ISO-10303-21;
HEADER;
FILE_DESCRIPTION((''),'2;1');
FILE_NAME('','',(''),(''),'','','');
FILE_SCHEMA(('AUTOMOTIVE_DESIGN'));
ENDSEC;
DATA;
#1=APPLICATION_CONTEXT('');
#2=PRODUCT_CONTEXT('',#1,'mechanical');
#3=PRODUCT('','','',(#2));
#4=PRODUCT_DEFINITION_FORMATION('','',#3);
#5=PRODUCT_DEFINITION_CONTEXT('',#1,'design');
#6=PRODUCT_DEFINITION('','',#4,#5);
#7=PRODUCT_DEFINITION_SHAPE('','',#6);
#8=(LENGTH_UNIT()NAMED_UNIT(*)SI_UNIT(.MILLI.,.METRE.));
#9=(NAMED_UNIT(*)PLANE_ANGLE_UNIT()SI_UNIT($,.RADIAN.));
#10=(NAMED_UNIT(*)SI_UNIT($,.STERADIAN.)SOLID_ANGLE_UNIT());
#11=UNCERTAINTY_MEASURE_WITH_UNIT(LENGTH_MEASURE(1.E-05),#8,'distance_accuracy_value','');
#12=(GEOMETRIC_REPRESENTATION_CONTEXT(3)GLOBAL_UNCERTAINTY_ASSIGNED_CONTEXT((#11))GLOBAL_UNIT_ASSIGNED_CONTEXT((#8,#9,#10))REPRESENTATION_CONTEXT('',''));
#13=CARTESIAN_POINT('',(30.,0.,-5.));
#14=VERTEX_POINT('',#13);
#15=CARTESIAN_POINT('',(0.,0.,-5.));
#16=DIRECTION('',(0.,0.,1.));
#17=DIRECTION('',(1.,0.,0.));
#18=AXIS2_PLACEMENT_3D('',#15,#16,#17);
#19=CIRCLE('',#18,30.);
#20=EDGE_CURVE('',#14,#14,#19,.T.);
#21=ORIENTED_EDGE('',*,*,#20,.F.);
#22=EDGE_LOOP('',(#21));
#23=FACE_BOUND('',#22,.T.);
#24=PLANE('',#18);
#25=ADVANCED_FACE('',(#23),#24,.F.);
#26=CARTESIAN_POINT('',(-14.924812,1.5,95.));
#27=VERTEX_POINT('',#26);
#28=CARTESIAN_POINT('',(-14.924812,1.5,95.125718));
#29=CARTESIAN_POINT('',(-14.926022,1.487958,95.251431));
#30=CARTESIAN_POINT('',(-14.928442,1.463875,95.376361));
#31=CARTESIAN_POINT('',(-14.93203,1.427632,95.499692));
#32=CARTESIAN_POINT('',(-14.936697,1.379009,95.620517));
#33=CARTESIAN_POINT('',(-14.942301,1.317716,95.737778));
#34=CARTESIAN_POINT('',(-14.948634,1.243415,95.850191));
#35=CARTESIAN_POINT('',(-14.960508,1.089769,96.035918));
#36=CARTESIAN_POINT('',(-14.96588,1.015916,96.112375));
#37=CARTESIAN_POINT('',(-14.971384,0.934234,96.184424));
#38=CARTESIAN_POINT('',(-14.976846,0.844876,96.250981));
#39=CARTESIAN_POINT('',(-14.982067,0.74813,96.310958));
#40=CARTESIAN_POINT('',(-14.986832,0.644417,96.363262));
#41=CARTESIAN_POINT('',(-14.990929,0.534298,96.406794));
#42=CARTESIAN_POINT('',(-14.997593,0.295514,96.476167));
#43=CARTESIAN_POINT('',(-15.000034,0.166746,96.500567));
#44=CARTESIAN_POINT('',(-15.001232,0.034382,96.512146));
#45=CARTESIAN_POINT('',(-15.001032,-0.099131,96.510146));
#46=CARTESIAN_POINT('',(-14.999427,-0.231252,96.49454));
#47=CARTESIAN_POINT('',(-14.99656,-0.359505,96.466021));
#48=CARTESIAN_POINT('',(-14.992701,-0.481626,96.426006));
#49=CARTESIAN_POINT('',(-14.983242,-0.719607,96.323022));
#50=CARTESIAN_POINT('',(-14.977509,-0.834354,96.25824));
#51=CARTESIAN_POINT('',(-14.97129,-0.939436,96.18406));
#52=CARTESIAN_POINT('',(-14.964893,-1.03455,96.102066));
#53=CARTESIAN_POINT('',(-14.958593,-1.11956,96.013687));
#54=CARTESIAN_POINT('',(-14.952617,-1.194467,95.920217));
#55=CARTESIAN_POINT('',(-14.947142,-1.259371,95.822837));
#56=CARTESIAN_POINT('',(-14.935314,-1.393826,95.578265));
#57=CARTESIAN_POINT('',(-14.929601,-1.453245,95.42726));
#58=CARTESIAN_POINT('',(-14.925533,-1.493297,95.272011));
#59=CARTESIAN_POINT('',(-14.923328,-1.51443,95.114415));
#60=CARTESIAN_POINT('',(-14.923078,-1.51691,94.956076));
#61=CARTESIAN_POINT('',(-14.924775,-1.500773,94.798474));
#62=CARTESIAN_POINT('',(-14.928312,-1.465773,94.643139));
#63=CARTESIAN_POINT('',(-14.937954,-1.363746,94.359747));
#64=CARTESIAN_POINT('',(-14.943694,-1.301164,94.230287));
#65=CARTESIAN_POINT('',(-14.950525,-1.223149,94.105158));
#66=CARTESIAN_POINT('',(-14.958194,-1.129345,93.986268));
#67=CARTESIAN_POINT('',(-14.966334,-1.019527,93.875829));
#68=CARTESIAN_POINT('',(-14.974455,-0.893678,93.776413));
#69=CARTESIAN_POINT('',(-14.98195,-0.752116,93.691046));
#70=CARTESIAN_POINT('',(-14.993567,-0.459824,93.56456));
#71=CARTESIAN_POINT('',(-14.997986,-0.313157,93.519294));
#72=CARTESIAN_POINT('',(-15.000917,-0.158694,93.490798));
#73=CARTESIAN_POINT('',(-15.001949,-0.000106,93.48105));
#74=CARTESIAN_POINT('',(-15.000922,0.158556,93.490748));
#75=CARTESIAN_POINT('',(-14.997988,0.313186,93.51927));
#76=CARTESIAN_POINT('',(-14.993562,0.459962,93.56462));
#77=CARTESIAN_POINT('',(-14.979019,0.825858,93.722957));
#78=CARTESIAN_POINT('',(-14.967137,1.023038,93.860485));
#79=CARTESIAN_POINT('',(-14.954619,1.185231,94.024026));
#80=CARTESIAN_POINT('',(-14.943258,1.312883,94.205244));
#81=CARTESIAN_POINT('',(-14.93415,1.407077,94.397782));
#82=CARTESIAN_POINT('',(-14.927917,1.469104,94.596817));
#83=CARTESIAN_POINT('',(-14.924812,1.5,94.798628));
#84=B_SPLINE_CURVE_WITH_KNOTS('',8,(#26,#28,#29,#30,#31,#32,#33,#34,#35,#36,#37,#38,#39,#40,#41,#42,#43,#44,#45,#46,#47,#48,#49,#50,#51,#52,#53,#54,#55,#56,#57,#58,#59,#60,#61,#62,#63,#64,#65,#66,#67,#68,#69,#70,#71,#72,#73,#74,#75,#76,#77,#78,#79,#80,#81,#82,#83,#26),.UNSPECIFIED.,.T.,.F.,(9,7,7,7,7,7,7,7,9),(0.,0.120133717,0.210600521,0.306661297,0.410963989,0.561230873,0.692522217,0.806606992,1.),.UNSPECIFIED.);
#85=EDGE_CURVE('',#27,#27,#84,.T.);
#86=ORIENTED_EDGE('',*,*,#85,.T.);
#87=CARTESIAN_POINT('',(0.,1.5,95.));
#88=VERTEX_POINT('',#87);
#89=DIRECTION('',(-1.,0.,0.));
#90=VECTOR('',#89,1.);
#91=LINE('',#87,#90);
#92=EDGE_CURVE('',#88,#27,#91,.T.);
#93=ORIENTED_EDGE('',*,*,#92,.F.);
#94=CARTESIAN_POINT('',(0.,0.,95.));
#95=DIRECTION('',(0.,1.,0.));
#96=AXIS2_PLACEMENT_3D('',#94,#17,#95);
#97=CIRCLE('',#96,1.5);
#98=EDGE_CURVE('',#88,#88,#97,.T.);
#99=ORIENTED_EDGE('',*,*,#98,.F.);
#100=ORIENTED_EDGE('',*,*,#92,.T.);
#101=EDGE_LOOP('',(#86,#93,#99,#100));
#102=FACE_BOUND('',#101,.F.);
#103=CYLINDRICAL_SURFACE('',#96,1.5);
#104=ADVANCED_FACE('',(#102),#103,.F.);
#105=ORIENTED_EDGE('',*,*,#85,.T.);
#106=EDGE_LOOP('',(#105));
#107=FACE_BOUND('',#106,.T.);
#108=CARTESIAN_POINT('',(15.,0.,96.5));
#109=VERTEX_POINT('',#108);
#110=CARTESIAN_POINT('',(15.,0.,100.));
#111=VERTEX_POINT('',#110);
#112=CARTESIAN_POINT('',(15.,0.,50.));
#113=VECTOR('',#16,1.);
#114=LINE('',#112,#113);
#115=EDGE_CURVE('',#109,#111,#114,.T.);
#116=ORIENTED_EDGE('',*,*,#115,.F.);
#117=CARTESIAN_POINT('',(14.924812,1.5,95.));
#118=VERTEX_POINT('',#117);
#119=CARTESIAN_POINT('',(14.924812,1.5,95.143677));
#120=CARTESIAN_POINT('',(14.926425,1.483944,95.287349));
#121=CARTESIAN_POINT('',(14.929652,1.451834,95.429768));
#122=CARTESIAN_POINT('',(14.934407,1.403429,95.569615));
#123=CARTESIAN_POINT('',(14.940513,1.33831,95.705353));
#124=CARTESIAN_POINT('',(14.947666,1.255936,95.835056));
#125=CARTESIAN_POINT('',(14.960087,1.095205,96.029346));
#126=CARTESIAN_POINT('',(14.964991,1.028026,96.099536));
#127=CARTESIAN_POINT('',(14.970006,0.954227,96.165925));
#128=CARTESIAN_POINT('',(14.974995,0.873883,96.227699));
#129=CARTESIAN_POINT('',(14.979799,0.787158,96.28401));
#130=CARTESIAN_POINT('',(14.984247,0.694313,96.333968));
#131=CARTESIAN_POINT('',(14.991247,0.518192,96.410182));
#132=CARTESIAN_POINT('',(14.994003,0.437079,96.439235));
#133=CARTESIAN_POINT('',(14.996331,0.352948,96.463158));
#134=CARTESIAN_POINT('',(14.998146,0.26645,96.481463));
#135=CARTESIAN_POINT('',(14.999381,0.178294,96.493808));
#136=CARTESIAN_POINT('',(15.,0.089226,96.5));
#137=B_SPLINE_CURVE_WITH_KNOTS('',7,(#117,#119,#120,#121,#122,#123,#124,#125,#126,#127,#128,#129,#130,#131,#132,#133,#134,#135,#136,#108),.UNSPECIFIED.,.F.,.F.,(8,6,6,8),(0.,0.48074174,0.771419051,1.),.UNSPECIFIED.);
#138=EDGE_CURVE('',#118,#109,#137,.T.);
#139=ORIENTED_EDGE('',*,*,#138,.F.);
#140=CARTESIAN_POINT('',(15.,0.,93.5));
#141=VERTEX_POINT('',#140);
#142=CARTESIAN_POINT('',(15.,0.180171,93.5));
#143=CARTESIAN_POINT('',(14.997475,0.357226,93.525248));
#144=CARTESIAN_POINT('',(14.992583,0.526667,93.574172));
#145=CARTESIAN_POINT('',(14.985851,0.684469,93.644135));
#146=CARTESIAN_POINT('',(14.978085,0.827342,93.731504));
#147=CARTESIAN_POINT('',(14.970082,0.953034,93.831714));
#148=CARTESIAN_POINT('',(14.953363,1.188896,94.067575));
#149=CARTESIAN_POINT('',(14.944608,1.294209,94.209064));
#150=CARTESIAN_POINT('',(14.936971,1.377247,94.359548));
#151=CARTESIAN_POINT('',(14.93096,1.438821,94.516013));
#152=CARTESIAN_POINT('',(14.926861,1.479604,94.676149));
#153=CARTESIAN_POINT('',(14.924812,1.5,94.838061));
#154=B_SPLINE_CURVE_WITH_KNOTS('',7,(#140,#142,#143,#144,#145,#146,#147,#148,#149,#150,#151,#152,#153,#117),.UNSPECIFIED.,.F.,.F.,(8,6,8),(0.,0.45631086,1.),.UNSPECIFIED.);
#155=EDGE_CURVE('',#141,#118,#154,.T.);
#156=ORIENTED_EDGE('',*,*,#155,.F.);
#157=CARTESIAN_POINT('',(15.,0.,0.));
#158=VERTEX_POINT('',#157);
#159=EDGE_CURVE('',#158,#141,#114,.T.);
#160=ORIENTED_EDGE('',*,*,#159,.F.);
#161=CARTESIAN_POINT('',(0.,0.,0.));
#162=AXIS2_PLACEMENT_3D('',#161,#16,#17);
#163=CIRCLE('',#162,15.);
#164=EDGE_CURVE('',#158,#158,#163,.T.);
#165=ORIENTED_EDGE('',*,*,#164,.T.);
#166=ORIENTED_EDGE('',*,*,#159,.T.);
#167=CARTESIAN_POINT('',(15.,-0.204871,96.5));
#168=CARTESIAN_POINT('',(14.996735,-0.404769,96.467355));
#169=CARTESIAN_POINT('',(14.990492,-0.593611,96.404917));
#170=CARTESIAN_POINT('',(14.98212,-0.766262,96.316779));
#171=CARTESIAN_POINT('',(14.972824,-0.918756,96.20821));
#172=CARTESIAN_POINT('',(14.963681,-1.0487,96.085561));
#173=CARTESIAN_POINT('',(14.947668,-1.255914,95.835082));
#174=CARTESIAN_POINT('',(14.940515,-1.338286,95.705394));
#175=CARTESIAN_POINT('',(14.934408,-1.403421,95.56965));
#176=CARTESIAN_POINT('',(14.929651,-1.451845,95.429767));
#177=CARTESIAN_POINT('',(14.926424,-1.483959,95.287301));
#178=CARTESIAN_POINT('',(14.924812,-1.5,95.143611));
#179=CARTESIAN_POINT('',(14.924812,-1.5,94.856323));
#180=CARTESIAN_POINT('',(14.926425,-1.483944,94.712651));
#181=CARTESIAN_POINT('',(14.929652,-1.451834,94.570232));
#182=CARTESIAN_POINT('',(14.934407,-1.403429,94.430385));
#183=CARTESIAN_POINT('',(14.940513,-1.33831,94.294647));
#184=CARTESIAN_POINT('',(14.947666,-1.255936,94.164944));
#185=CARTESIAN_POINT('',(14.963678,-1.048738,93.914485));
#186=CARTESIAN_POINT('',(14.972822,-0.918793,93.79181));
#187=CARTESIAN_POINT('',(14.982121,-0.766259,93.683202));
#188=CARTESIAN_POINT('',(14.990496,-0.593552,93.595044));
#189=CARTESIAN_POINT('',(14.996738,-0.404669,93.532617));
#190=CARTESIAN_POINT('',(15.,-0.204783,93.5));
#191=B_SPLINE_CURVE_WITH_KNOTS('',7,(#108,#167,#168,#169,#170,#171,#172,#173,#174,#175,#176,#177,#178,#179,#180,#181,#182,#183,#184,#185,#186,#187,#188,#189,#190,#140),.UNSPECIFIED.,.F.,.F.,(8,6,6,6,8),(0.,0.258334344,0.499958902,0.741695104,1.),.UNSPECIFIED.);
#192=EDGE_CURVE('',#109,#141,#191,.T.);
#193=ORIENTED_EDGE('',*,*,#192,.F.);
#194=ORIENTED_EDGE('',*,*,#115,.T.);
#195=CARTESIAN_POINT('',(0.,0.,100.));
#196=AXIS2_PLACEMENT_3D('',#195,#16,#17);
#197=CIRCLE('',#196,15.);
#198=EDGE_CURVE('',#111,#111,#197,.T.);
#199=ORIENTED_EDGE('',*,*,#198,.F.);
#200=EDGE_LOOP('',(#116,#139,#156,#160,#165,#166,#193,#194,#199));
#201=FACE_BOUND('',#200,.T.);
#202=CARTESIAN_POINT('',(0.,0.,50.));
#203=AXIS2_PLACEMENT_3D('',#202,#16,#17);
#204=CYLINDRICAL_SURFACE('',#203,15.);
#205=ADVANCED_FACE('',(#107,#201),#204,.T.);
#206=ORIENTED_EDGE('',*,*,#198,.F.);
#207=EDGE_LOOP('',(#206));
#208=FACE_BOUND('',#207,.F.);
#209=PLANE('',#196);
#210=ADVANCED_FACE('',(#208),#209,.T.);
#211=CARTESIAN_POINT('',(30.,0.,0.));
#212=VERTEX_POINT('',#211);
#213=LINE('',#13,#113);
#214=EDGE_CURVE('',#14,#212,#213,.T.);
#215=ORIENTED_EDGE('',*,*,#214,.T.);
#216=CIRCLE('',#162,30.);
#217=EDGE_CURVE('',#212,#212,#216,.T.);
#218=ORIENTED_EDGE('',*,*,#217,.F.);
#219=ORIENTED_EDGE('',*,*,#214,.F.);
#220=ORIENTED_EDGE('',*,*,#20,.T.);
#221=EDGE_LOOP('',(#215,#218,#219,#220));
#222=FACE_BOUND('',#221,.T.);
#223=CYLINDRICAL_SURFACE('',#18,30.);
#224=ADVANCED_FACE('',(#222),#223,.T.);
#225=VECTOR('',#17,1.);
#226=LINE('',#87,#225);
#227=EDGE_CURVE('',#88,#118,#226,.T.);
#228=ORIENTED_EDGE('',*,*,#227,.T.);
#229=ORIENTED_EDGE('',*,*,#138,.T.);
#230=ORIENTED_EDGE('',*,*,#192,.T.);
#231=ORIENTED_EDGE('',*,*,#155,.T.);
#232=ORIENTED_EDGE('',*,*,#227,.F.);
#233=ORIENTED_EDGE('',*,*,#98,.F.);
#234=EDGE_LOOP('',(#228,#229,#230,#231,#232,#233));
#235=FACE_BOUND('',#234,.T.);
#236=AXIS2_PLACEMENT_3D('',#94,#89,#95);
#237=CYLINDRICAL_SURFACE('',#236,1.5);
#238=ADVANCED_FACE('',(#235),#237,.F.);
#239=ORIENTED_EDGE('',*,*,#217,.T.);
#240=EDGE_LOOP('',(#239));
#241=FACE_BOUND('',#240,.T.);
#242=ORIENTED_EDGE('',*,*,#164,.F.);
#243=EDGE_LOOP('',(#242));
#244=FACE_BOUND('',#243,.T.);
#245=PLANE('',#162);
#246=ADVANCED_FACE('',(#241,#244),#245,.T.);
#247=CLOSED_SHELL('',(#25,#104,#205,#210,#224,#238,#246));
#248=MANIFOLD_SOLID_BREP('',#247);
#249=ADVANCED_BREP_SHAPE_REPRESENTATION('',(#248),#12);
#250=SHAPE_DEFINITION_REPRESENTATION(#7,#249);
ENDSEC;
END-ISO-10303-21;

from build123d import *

# Parameters (mm, degrees)
F0_W          = 15
F0_H          = 100
F2_R          = 1.5
F3_DEPTH      = 25
F3_DEPTH_BACK = 25


with BuildPart() as f1:
    # F0 (on Front) → F1 (revolve)
    with BuildSketch(Plane.XZ):
        with Locations((7.5, 50)):
            Rectangle(F0_W, F0_H)
        Polygon((15, 0), (0, 0), (0, -5), (30, -5), (30, 0), align=None)
    revolve(axis=Axis((0, 0, 50), (0, 0, 1)))

    # F2 (on Right) → F3 (cut, two sides)
    with BuildSketch(Plane.YZ) as f3_sk:
        with Locations((0, 95)):
            Circle(F2_R)
    extrude(amount=-F3_DEPTH, mode=Mode.SUBTRACT)
    extrude(f3_sk.sketch, amount=F3_DEPTH_BACK, mode=Mode.SUBTRACT)


solid = f1.part
